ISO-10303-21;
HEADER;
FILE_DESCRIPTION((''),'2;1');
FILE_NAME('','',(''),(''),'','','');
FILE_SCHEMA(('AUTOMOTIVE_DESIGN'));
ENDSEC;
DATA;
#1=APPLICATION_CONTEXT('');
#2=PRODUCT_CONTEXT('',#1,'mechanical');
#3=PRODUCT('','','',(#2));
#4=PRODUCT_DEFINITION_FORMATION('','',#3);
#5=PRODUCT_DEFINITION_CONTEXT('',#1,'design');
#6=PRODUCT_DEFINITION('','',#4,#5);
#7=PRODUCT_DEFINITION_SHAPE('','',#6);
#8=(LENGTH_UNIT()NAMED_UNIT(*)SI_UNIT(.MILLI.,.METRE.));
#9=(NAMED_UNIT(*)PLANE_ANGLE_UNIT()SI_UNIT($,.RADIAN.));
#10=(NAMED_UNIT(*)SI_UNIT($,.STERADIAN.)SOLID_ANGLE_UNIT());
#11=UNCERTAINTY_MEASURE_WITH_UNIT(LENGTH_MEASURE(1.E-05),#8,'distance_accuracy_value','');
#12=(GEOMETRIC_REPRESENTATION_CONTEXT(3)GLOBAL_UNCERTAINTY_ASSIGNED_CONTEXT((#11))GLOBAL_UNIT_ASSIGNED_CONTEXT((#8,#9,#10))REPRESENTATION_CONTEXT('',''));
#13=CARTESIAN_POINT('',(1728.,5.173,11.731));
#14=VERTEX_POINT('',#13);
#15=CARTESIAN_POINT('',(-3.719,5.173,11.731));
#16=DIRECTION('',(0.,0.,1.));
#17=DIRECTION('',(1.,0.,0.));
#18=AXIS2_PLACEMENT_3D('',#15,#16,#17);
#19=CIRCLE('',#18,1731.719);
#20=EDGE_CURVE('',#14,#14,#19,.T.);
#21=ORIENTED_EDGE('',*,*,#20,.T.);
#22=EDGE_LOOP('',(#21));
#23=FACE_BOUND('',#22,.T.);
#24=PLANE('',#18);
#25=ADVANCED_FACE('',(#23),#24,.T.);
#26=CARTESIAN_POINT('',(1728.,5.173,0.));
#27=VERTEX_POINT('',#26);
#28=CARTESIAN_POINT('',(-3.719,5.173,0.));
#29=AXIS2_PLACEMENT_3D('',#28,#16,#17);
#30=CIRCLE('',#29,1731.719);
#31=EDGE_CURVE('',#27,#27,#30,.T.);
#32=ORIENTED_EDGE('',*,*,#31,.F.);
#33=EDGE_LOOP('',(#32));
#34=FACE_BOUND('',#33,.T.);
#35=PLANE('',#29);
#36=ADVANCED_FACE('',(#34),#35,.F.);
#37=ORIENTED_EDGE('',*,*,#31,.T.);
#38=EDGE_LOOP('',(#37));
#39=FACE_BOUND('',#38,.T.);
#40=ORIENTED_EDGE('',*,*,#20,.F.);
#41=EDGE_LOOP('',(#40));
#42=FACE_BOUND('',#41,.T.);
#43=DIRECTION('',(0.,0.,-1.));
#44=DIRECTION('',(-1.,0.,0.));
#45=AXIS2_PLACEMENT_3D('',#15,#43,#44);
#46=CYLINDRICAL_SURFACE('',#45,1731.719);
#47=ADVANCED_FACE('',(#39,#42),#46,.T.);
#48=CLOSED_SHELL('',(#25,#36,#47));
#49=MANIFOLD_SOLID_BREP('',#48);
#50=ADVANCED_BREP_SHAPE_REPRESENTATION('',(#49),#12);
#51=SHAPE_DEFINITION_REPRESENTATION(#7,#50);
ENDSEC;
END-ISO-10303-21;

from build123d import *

# Parameters (mm, degrees)
CURVESKETCH_R   = 1731.719
CURVEBOSS_DEPTH = 11.731


with BuildPart() as part:
    # CurveSketch → CurveBoss (new body)
    with BuildSketch(Plane.XY):
        with Locations((-3.719, 5.173)):
            Circle(CURVESKETCH_R)
    extrude(amount=CURVEBOSS_DEPTH)


solid = part.part
